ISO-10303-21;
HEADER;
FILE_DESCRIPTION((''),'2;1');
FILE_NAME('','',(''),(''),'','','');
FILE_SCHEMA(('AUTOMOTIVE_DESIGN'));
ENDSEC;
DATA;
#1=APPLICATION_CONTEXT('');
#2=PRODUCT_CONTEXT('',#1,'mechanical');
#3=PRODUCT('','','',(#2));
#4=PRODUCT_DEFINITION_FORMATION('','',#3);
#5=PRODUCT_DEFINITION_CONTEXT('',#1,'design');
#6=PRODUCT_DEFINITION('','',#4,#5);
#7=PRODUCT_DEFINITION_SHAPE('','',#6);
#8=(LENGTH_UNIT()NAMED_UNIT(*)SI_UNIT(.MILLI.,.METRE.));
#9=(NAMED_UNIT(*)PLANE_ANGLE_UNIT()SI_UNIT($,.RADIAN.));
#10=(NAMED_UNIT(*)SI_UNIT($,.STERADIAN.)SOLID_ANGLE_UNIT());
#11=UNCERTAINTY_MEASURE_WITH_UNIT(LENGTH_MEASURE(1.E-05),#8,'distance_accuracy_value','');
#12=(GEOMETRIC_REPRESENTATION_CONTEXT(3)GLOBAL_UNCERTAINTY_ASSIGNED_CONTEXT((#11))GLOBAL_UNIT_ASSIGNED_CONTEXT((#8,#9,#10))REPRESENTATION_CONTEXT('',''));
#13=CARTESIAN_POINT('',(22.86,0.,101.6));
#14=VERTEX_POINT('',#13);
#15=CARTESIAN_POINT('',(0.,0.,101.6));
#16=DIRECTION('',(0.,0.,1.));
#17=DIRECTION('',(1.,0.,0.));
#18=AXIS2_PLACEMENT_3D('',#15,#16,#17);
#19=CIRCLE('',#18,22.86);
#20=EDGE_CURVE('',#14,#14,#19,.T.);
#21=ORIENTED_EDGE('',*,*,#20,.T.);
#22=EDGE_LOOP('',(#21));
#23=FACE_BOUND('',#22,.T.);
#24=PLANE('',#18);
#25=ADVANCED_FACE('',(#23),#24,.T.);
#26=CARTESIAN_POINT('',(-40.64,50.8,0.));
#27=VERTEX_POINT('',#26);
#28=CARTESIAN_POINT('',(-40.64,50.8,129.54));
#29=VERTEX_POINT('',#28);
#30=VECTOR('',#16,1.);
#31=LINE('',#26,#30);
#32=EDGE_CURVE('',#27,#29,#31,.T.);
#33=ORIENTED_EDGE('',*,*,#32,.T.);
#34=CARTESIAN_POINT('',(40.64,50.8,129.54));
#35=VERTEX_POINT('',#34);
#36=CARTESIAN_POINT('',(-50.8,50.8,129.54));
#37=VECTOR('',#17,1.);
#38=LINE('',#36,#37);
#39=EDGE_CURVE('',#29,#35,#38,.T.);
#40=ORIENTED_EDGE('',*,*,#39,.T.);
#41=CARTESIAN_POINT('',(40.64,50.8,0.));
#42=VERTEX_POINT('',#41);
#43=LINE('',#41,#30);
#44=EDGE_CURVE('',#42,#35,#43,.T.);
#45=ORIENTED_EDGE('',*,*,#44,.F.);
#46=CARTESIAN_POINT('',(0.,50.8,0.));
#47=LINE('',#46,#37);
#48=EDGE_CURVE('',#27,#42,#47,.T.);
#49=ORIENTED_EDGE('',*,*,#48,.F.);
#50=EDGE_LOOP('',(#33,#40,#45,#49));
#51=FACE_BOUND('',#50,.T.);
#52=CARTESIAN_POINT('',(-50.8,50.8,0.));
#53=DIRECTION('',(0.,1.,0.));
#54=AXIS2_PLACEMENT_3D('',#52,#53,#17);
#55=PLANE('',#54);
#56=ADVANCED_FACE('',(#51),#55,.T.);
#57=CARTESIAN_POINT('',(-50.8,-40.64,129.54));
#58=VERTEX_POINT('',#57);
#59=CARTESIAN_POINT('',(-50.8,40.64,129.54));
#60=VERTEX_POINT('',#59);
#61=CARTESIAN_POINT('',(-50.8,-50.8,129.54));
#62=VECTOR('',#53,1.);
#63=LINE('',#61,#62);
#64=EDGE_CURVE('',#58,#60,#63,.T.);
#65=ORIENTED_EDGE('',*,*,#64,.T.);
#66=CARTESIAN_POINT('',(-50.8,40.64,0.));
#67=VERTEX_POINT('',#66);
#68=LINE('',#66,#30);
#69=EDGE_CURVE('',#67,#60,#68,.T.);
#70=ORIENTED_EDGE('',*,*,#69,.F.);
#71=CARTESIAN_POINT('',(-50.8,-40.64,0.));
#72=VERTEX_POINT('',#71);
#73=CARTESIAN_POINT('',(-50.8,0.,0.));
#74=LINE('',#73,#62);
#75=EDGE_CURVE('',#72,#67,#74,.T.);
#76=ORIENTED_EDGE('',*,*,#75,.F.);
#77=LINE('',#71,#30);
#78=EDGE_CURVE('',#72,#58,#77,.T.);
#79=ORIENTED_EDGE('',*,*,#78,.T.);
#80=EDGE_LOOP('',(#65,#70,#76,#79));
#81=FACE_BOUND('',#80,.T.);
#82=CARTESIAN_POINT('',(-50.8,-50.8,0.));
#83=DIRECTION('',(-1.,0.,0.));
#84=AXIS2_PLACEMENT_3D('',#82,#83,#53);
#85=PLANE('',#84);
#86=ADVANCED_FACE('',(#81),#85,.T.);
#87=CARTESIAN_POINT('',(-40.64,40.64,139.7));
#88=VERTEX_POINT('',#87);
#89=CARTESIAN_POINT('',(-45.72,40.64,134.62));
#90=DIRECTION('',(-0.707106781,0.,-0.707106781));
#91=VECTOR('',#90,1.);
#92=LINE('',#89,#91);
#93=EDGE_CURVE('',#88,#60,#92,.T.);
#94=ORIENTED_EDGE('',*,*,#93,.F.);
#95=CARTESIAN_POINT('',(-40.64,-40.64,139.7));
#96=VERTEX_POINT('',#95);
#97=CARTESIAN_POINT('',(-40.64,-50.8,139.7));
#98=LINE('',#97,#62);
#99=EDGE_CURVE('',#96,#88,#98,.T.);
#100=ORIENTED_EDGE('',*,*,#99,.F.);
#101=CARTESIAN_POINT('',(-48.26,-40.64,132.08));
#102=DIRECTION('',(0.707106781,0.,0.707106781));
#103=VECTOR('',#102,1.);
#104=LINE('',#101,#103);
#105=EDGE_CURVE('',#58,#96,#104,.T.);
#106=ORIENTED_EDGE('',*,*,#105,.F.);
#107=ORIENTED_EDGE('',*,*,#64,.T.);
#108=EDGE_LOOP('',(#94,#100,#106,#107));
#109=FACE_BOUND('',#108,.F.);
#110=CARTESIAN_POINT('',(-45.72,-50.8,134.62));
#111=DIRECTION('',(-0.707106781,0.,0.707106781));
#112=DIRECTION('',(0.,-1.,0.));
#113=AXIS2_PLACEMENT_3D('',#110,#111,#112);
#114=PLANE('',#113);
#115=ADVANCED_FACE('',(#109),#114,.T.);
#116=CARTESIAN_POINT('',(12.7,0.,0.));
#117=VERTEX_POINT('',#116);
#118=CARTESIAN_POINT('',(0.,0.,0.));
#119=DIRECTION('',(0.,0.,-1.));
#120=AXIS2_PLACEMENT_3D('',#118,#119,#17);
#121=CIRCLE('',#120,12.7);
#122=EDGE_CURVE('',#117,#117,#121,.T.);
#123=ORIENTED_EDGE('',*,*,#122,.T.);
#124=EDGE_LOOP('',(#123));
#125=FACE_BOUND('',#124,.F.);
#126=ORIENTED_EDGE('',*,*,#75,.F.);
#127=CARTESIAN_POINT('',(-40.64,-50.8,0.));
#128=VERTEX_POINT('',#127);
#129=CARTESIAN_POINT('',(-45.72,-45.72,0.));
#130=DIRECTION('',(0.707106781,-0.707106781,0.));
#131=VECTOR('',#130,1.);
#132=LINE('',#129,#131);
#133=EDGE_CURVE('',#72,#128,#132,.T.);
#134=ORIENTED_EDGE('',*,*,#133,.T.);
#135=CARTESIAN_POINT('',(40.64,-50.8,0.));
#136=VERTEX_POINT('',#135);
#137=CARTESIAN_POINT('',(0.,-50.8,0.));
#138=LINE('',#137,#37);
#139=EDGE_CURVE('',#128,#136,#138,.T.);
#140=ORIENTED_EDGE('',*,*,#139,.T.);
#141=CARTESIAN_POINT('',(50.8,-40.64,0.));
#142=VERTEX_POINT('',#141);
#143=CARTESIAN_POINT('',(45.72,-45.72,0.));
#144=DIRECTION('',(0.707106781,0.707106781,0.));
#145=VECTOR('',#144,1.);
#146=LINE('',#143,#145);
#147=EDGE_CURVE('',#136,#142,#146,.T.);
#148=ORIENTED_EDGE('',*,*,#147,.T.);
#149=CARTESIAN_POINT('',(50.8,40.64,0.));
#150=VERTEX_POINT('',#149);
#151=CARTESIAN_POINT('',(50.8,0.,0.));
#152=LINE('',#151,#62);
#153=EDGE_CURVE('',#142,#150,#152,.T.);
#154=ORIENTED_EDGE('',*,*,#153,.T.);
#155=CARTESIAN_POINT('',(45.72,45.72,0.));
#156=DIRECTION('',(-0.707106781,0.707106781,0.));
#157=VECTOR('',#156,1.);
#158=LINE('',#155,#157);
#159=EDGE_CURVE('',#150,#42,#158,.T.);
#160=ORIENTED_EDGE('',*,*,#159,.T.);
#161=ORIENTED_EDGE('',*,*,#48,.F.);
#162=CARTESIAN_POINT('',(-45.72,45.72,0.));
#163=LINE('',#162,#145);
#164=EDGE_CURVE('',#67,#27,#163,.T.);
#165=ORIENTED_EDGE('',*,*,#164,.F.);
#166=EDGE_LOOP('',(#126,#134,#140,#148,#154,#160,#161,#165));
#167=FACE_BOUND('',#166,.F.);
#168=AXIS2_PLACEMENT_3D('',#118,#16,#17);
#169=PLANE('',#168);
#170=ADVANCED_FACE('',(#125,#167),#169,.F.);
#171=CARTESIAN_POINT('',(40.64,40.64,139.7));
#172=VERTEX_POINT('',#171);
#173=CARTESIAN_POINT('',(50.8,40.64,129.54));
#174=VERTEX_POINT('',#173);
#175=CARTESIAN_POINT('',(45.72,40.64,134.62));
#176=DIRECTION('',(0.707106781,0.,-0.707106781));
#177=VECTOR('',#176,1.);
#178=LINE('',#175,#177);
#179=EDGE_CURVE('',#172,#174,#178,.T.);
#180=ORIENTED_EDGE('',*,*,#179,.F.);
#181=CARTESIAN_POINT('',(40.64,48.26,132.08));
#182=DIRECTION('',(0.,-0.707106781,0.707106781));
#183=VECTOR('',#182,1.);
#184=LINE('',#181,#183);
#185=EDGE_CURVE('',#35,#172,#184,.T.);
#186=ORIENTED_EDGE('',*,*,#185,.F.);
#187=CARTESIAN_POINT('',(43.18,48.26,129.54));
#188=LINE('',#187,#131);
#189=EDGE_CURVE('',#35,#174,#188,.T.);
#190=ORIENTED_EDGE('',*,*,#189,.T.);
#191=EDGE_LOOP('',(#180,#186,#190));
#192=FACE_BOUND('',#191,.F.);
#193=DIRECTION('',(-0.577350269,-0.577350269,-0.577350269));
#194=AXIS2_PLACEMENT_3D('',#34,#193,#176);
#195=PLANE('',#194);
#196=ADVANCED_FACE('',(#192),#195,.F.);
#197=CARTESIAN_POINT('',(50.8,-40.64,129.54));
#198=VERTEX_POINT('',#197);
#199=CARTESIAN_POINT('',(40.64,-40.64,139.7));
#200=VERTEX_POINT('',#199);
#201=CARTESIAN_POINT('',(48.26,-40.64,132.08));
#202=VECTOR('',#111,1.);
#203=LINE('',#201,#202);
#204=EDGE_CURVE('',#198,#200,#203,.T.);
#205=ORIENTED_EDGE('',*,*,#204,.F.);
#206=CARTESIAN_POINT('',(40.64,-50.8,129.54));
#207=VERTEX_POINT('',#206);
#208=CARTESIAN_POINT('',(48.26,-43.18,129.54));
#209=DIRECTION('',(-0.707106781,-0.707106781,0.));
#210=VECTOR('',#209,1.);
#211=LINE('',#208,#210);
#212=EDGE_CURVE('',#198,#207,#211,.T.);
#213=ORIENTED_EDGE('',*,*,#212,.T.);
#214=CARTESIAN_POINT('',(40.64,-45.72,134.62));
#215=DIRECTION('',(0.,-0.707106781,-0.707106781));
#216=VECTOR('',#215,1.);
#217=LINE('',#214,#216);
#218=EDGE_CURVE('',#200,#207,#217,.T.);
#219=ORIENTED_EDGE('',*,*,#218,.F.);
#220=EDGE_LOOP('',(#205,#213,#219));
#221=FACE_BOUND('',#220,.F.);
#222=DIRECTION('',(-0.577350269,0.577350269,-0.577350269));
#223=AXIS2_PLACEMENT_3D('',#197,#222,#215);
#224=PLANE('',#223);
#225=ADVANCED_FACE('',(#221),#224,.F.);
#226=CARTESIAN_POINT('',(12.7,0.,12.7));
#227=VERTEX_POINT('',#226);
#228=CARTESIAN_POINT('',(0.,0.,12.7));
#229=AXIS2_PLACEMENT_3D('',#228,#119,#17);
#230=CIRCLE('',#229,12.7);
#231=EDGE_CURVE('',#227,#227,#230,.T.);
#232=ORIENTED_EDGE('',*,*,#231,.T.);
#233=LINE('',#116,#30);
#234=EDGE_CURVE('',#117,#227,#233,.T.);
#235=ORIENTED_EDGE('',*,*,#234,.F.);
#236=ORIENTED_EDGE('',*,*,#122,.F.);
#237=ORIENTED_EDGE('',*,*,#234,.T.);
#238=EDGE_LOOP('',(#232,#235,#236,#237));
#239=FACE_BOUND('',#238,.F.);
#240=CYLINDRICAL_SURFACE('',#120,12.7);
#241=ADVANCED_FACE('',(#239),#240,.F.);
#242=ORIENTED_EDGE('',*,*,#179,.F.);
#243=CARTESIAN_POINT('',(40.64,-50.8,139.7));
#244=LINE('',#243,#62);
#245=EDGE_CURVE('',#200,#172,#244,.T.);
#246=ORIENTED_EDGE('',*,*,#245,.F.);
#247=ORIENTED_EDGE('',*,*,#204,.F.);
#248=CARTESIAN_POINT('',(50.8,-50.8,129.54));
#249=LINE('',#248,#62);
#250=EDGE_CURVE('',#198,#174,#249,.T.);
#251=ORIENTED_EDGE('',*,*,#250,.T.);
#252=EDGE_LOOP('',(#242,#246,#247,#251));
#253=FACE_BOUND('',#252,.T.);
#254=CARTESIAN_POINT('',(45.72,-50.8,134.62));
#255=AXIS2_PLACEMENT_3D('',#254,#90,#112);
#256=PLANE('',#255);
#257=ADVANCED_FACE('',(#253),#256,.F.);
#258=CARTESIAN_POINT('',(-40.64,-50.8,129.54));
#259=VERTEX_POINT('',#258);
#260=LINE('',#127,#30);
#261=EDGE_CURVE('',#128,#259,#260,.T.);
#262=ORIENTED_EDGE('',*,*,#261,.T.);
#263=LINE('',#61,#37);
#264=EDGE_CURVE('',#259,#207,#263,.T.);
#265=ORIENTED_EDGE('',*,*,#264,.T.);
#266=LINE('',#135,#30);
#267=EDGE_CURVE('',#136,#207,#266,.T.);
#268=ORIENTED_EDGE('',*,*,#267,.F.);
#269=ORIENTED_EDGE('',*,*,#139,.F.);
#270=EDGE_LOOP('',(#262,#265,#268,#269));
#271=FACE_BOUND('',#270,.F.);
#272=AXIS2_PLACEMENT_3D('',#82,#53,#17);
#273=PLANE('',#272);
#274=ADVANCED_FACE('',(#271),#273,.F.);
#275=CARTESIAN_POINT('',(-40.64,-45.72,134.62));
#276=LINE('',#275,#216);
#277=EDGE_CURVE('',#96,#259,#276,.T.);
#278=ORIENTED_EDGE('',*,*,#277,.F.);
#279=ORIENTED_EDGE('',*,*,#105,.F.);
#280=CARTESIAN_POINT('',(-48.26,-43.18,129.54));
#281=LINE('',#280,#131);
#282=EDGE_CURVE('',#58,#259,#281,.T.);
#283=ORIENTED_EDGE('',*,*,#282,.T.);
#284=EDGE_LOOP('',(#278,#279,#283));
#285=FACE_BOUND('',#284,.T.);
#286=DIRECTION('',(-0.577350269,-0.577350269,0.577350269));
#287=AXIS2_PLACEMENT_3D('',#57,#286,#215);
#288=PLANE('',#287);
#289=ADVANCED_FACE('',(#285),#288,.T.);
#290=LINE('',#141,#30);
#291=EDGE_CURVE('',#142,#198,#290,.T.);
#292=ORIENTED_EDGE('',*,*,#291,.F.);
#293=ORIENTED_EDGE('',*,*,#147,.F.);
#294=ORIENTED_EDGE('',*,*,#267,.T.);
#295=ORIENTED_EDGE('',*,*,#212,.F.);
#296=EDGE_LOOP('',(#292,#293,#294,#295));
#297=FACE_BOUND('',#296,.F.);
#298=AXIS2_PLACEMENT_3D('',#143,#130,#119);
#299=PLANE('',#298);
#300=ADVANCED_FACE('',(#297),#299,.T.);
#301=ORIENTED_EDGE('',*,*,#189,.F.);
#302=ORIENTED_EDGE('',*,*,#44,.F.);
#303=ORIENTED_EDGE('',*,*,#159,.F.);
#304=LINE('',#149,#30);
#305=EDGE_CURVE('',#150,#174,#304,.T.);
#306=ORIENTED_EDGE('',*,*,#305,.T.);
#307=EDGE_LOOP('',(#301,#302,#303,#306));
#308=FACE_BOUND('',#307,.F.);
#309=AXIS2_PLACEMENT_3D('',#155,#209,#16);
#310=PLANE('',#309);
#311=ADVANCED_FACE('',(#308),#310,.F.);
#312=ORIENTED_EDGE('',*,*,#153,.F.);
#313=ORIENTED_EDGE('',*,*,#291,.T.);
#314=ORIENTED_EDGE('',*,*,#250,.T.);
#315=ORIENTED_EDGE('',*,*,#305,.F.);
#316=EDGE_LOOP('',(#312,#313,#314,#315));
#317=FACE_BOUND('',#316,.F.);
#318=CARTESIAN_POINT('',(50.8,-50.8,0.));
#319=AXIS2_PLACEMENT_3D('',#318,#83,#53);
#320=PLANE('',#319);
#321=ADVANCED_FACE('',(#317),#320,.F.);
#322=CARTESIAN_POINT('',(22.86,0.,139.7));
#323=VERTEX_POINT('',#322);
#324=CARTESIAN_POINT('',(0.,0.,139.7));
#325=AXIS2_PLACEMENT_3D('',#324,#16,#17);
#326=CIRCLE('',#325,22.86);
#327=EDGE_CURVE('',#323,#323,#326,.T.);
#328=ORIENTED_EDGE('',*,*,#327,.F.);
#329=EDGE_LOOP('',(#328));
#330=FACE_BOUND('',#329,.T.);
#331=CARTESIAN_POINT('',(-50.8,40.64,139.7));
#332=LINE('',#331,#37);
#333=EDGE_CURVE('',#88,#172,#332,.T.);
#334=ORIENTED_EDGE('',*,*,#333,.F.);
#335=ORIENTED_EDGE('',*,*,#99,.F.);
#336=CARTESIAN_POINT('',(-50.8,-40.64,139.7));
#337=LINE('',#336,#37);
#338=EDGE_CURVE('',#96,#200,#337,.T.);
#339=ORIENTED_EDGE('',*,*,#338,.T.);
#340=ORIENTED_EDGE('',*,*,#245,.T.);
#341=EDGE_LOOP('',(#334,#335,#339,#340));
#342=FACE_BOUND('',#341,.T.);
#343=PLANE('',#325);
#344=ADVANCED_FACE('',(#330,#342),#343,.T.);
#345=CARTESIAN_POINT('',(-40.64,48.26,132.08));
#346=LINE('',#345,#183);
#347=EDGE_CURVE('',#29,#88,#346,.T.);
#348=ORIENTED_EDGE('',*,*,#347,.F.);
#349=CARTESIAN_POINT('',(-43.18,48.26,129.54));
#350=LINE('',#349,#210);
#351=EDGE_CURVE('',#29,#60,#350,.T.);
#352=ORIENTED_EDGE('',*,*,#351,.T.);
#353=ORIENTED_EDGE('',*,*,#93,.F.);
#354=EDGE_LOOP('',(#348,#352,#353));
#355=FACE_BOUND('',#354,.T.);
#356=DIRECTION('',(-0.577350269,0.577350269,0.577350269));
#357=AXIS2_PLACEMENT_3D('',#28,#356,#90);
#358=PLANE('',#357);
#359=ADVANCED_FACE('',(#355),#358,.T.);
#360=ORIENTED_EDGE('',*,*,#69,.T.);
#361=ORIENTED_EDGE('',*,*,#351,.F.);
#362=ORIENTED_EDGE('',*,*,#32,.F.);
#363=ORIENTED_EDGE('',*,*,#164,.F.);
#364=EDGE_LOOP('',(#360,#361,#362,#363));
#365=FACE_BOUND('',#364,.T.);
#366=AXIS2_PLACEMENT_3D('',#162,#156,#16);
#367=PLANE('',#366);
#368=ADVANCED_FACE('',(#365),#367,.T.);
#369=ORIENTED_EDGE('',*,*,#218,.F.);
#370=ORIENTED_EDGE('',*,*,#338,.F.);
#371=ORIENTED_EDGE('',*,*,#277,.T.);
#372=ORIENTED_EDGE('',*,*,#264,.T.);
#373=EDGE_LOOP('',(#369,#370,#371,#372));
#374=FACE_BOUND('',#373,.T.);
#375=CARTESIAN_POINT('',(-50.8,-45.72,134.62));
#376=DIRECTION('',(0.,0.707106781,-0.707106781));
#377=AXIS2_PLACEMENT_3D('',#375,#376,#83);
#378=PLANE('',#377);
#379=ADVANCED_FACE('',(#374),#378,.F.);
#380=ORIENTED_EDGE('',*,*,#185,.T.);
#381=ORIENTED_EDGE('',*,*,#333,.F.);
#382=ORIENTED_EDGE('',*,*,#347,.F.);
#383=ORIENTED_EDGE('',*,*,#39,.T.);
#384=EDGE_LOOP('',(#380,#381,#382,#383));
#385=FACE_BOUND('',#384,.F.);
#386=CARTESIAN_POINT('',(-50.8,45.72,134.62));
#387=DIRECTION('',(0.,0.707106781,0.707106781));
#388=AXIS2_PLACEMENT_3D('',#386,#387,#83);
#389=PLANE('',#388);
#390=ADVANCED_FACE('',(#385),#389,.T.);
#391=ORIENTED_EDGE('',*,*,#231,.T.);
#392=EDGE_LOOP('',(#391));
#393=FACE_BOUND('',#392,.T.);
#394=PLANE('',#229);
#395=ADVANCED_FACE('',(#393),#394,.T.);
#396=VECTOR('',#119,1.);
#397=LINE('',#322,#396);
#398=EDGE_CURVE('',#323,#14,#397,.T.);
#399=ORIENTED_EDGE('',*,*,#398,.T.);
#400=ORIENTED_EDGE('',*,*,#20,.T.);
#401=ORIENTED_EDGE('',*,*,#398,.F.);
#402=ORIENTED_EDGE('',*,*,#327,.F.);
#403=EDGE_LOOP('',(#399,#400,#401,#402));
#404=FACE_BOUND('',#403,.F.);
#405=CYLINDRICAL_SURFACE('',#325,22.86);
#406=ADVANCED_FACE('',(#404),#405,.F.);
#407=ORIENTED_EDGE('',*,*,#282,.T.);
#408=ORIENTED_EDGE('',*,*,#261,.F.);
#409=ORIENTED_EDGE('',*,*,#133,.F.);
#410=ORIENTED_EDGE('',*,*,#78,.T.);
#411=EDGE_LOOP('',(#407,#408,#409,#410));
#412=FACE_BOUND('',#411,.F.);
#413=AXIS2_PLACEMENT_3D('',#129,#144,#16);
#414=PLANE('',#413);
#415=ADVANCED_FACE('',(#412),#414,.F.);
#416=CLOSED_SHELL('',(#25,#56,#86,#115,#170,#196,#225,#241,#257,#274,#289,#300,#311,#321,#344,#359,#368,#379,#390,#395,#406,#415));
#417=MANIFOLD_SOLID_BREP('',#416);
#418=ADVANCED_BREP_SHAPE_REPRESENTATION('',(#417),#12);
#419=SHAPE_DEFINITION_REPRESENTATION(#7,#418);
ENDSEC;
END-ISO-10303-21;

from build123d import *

# Parameters (mm, degrees)
F0_W     = 101.6
F0_H     = 101.6
F1_DEPTH = 139.7
F2_SIZE  = 10.16
F3_R     = 22.86
F4_DEPTH = 38.1
F5_R     = 12.7
F6_DEPTH = 12.7


with BuildPart() as f1:
    # F0 (on Top) → F1 (new body)
    with BuildSketch(Plane.XY):
        Rectangle(F0_W, F0_H)
    extrude(amount=F1_DEPTH)

    # F2
    f2_edges = [f1.edges().sort_by_distance(p)[0] for p in [
        (0, -50.8, 139.7),
        (-50.8, 0, 139.7),
        (50.8, 0, 139.7),
        (0, 50.8, 139.7),
        (-50.8, 50.8, 69.85),
        (50.8, 50.8, 69.85),
        (50.8, -50.8, 69.85),
        (-50.8, -50.8, 69.85),
    ]]
    chamfer(f2_edges, length=F2_SIZE)

    # F3 (on face) → F4 (cut)
    with BuildSketch(Plane.XY.offset(139.7)):
        Circle(F3_R)
    extrude(amount=-F4_DEPTH, mode=Mode.SUBTRACT)

    # F5 (on face) → F6 (cut)
    with BuildSketch(Plane(origin=(0, 0, 0), x_dir=(1, 0, 0), z_dir=(0, 0, -1))):
        Circle(F5_R)
    extrude(amount=-F6_DEPTH, mode=Mode.SUBTRACT)


solid = f1.part
